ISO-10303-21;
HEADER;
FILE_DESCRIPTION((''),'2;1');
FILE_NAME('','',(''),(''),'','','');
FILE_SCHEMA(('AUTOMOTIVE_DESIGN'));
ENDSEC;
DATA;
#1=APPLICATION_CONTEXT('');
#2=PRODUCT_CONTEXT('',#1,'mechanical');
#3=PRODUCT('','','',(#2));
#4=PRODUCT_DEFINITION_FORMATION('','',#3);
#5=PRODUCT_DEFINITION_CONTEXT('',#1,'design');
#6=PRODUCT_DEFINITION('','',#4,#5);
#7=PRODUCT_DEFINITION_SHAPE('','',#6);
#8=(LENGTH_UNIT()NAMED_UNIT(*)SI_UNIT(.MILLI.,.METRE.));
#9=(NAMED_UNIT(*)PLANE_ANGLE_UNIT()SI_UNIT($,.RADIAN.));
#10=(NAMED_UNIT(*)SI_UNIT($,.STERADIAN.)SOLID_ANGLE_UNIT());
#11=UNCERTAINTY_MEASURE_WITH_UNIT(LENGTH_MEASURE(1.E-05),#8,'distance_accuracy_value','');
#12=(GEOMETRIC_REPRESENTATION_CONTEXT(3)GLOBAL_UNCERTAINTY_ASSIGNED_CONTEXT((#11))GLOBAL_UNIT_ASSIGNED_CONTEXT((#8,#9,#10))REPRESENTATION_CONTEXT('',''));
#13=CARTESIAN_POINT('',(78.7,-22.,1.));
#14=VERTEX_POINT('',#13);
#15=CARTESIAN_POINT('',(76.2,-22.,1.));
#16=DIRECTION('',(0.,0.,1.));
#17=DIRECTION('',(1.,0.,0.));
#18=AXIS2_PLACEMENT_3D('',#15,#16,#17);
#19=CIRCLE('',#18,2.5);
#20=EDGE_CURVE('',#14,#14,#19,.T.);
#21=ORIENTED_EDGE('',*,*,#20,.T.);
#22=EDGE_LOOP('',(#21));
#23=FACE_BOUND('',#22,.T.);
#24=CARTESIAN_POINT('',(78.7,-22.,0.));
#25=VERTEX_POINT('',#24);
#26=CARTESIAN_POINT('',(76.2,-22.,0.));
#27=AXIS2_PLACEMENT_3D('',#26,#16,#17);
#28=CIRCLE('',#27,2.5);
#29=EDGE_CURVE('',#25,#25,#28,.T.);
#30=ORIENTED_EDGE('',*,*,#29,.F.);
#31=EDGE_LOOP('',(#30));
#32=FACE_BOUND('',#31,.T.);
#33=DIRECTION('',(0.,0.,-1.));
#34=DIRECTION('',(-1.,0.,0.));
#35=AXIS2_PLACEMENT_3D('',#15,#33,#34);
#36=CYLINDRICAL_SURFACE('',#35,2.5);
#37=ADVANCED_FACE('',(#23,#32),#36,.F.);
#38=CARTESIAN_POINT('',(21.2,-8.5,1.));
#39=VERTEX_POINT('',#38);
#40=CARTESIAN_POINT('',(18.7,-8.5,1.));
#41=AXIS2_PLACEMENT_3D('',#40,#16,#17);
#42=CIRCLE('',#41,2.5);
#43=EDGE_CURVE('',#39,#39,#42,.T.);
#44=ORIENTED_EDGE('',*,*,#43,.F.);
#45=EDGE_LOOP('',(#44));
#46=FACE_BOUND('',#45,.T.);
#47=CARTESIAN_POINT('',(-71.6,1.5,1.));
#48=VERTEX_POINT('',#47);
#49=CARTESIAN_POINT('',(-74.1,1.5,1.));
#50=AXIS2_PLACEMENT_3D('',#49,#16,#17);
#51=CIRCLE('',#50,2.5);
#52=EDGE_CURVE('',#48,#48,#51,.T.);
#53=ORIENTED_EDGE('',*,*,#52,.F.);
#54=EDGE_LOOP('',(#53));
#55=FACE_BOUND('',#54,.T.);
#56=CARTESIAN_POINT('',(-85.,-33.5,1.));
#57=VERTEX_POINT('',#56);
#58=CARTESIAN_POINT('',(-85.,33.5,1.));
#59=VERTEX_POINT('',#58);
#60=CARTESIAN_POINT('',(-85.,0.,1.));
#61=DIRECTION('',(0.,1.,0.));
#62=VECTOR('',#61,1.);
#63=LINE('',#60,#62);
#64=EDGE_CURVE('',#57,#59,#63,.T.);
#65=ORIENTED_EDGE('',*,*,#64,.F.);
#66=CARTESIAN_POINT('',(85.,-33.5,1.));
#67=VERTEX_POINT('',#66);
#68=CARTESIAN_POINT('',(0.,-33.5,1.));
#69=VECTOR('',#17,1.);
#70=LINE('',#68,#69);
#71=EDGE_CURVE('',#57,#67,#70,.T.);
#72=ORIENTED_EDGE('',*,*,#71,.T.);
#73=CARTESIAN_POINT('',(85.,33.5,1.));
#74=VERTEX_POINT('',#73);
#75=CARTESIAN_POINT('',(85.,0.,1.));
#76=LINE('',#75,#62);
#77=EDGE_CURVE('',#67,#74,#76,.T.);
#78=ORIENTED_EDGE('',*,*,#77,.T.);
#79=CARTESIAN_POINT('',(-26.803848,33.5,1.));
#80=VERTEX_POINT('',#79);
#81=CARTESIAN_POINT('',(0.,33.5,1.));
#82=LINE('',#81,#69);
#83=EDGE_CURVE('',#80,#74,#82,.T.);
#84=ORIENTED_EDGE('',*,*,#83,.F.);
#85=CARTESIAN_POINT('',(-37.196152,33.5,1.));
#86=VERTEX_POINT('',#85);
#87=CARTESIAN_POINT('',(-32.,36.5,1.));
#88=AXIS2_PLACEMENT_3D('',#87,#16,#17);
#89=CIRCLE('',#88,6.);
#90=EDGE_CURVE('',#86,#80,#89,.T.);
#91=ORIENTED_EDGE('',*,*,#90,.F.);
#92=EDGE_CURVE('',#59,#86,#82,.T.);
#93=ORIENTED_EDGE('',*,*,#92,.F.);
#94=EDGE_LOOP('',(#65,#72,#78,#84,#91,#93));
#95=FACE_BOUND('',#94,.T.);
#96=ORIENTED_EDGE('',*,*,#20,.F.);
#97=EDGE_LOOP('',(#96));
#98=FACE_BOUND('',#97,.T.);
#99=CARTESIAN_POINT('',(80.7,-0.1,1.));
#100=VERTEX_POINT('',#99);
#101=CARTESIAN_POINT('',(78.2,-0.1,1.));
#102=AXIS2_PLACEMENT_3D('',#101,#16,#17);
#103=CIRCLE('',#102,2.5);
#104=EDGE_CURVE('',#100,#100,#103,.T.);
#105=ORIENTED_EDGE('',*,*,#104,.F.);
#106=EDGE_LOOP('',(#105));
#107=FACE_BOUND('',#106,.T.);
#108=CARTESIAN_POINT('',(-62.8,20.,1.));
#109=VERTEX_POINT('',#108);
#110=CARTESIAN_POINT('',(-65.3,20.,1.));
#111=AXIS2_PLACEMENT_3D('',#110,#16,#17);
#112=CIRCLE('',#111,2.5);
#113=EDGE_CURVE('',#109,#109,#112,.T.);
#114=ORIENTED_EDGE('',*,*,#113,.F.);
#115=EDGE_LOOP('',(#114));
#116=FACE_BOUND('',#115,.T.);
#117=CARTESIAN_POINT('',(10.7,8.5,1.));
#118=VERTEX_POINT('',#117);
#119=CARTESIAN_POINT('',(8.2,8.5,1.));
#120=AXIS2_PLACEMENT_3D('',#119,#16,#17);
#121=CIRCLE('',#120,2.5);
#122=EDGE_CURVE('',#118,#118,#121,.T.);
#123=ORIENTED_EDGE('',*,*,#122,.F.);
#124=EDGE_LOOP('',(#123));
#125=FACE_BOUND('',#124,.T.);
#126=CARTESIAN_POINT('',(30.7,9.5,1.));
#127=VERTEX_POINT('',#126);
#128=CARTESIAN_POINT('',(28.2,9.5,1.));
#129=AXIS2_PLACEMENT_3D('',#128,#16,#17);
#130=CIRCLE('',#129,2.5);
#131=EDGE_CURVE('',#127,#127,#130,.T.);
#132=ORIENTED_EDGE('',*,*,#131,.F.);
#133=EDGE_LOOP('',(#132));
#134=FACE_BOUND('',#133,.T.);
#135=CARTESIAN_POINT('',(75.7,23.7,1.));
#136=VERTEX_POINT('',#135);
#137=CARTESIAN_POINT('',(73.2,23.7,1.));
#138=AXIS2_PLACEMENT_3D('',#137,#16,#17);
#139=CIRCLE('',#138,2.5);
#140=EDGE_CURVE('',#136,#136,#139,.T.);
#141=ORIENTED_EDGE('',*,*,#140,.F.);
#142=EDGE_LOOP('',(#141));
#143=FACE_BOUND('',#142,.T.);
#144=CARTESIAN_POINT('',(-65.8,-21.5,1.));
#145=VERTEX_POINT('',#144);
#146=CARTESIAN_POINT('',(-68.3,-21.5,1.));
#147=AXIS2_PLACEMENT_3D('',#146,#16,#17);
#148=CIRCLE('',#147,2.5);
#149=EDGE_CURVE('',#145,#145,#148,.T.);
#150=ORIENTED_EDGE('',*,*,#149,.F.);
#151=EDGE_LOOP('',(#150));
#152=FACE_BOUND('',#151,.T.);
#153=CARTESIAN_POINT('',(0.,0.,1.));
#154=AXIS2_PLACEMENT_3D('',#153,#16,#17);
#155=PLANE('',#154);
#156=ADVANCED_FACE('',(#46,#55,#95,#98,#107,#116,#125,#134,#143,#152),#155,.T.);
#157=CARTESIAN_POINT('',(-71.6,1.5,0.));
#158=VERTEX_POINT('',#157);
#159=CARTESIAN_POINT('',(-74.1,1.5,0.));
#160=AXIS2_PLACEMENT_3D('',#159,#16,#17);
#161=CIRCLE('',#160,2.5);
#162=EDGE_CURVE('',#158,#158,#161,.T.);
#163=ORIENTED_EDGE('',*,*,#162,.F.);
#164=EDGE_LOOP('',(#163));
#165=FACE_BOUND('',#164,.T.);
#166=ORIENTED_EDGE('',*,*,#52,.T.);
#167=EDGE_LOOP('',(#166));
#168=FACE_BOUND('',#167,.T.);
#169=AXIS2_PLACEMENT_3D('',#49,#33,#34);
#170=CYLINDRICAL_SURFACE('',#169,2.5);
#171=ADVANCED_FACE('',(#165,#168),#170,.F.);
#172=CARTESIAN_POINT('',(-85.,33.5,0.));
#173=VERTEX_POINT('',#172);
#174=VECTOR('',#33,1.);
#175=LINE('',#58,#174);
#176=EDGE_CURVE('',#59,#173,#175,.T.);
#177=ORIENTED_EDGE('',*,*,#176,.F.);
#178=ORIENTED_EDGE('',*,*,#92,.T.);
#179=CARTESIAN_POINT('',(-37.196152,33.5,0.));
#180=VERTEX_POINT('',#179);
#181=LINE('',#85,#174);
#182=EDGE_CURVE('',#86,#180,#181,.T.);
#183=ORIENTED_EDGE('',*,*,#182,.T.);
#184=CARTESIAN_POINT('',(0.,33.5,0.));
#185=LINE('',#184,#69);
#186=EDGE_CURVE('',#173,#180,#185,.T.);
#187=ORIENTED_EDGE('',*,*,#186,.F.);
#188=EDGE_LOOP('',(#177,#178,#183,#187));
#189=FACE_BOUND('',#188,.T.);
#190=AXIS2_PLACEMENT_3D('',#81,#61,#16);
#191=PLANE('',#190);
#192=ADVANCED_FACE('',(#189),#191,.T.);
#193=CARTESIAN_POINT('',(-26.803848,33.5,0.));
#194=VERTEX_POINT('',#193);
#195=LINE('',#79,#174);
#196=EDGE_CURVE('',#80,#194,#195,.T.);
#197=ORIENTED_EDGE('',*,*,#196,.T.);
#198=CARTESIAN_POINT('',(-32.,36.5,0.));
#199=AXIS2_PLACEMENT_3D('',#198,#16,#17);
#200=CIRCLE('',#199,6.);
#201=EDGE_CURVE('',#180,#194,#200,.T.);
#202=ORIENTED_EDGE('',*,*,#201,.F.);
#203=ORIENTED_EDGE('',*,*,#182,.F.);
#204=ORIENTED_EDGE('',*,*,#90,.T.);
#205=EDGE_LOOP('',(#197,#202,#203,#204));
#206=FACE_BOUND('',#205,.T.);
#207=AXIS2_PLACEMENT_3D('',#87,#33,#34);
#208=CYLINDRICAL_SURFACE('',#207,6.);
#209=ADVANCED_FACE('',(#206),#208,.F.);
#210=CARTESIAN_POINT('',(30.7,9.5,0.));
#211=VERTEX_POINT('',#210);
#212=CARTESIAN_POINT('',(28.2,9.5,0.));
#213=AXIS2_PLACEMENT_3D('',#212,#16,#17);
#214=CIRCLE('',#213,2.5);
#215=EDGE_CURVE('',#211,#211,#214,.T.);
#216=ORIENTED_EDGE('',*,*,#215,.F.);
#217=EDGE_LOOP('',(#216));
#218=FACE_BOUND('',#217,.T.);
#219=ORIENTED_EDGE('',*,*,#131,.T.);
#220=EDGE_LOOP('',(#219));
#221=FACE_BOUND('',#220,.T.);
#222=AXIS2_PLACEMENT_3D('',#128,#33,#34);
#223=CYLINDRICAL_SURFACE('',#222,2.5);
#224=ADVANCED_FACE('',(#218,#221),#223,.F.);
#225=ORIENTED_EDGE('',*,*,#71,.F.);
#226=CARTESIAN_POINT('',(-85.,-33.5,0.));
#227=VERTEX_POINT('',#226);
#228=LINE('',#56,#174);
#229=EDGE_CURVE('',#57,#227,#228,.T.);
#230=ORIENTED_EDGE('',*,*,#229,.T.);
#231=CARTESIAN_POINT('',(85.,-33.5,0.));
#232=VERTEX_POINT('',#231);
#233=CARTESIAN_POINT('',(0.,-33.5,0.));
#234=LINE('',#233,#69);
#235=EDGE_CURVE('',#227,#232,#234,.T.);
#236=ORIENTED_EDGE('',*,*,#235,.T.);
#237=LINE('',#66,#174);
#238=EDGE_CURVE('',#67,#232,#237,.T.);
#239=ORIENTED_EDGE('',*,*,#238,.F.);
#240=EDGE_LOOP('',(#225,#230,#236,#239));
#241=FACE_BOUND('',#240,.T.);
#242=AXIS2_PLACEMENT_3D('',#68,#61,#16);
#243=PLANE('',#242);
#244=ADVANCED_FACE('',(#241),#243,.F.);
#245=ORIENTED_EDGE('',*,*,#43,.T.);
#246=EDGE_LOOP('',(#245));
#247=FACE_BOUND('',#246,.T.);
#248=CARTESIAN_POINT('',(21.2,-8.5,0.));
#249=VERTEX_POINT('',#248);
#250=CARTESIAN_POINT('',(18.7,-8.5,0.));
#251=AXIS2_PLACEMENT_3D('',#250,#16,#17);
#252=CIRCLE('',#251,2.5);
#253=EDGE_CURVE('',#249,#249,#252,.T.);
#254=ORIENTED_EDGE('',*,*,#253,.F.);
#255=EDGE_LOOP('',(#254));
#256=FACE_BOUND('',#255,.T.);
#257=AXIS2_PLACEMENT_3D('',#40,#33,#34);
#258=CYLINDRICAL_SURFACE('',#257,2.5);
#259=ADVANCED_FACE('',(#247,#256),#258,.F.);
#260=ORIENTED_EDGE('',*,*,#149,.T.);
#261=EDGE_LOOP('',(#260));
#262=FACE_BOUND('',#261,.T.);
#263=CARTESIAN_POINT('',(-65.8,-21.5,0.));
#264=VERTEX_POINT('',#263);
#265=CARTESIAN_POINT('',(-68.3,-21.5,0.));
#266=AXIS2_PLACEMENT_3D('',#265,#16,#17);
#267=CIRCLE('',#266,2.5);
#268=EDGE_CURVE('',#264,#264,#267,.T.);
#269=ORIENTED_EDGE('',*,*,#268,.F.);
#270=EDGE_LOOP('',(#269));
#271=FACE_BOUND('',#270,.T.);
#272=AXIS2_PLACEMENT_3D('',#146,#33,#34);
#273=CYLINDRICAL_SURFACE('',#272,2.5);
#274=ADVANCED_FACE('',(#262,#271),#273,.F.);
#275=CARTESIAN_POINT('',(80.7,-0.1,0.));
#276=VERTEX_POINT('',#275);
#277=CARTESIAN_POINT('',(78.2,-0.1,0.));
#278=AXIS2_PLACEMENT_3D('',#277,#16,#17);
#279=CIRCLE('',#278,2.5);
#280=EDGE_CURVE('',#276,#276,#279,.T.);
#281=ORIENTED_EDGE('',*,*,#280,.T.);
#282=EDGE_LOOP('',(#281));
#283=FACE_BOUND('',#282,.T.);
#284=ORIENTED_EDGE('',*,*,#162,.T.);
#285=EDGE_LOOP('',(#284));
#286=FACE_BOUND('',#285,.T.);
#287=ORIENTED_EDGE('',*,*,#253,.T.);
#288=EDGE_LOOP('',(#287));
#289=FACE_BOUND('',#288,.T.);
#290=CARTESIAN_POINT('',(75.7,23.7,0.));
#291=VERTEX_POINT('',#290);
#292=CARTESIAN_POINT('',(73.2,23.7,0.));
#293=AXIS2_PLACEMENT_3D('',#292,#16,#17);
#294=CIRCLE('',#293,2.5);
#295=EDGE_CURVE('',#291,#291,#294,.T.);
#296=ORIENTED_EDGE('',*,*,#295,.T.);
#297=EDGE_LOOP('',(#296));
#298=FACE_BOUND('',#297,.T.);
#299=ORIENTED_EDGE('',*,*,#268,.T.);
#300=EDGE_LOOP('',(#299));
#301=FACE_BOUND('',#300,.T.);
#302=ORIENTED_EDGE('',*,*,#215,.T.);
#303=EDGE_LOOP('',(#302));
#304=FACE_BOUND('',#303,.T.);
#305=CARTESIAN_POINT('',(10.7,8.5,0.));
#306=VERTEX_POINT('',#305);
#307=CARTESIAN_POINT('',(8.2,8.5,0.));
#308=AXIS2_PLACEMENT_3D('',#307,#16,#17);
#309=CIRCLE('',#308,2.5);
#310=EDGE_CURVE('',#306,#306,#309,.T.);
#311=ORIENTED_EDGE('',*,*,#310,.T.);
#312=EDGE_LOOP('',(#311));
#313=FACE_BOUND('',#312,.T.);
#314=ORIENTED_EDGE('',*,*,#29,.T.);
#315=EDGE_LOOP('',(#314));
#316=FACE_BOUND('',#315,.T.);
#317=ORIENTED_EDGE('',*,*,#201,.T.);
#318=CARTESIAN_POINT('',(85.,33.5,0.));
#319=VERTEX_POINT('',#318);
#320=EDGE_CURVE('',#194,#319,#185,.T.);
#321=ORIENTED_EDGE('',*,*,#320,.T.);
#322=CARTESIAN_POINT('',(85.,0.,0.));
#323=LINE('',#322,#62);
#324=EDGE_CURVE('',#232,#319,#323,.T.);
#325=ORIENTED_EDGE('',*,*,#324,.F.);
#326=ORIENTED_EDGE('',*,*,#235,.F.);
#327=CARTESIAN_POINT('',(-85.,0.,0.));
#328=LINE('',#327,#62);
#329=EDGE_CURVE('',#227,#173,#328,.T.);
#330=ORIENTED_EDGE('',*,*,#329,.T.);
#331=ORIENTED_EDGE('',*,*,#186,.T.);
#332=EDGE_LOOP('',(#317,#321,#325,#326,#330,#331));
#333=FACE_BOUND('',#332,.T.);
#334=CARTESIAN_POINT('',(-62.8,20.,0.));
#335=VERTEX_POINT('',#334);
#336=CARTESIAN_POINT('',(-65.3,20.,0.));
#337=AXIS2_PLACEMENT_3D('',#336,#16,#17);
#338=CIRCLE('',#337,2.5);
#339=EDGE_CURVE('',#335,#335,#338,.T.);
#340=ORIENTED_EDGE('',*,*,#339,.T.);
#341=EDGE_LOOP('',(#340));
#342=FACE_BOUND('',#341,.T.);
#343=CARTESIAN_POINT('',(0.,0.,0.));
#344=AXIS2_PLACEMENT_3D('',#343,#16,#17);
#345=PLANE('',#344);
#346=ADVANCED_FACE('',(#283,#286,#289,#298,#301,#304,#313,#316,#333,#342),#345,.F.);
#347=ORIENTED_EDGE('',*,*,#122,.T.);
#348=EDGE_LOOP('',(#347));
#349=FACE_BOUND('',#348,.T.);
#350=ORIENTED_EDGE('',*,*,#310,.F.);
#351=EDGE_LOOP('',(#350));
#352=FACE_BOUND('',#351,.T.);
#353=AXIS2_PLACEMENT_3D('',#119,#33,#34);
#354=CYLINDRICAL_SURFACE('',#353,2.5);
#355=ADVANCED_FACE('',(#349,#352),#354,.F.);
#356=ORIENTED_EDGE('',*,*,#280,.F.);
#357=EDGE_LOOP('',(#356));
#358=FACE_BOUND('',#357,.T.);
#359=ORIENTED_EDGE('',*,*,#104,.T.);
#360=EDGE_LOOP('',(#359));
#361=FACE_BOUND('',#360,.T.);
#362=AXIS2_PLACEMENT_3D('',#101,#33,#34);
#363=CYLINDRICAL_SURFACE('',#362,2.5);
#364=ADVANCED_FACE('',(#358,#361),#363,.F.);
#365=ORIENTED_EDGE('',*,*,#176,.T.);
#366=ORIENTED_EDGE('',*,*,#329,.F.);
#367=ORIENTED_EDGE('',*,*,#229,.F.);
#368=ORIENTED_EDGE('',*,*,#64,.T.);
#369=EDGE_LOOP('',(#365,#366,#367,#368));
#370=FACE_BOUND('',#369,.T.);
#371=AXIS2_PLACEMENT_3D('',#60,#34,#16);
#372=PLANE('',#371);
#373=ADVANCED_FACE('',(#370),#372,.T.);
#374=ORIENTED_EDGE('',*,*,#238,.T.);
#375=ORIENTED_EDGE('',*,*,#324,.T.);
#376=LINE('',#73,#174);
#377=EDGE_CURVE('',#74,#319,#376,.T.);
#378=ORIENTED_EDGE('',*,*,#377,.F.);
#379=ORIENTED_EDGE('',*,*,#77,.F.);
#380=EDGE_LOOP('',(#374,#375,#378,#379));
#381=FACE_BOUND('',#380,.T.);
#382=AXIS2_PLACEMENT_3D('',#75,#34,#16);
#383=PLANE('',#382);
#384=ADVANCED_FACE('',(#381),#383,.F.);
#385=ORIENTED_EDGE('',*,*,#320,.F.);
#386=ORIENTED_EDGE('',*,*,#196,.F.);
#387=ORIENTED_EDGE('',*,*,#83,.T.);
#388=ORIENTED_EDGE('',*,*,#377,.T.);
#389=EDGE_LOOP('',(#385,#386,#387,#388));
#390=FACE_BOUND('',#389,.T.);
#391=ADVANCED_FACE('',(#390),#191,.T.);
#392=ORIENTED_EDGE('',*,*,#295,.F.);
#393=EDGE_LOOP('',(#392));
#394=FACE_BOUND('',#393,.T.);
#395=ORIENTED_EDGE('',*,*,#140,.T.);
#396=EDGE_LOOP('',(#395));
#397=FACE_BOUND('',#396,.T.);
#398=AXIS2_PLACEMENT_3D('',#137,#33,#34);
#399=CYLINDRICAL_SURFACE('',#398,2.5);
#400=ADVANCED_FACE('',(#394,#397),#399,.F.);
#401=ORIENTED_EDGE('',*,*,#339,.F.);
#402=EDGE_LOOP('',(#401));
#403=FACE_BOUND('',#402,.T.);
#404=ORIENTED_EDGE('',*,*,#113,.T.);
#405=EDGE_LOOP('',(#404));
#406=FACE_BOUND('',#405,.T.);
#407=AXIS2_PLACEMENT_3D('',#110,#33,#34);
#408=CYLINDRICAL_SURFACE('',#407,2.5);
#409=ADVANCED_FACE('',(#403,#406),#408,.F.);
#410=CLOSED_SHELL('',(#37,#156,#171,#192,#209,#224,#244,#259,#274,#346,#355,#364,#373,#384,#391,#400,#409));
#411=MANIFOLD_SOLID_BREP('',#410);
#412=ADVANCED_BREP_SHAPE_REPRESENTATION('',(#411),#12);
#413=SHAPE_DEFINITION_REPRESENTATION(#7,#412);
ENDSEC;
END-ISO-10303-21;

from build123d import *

# Parameters (mm, degrees)
SKETCH1_R           = 2.5
BOSS_EXTRUDE1_DEPTH = 1


with BuildPart() as part:
    # Sketch1 → Boss-Extrude1 (new body)
    with BuildSketch(Plane.XY):
        with BuildLine():
            ThreePointArc((-26.803847577, 33.5), (-29, 31.303847577), (-32, 30.5))
            ThreePointArc((-32, 30.5), (-35, 31.303847577), (-37.196152423, 33.5))
            Line((-37.196152423, 33.5), (-85, 33.5))
            Line((-85, 33.5), (-85, -33.5))
            Line((-85, -33.5), (85, -33.5))
            Line((85, -33.5), (85, 33.5))
            Line((85, 33.5), (-26.803847577, 33.5))
        make_face()
        with Locations((-68.3, -21.5)):
            Circle(SKETCH1_R, mode=Mode.SUBTRACT)
        with Locations((-74.1, 1.5)):
            Circle(SKETCH1_R, mode=Mode.SUBTRACT)
        with Locations((76.2, -22)):
            Circle(SKETCH1_R, mode=Mode.SUBTRACT)
        with Locations((18.7, -8.5)):
            Circle(SKETCH1_R, mode=Mode.SUBTRACT)
        with Locations((78.2, -0.1)):
            Circle(SKETCH1_R, mode=Mode.SUBTRACT)
        with Locations((-65.3, 20)):
            Circle(SKETCH1_R, mode=Mode.SUBTRACT)
        with Locations((8.2, 8.5)):
            Circle(SKETCH1_R, mode=Mode.SUBTRACT)
        with Locations((28.2, 9.5)):
            Circle(SKETCH1_R, mode=Mode.SUBTRACT)
        with Locations((73.2, 23.7)):
            Circle(SKETCH1_R, mode=Mode.SUBTRACT)
    extrude(amount=BOSS_EXTRUDE1_DEPTH)


solid = part.part
